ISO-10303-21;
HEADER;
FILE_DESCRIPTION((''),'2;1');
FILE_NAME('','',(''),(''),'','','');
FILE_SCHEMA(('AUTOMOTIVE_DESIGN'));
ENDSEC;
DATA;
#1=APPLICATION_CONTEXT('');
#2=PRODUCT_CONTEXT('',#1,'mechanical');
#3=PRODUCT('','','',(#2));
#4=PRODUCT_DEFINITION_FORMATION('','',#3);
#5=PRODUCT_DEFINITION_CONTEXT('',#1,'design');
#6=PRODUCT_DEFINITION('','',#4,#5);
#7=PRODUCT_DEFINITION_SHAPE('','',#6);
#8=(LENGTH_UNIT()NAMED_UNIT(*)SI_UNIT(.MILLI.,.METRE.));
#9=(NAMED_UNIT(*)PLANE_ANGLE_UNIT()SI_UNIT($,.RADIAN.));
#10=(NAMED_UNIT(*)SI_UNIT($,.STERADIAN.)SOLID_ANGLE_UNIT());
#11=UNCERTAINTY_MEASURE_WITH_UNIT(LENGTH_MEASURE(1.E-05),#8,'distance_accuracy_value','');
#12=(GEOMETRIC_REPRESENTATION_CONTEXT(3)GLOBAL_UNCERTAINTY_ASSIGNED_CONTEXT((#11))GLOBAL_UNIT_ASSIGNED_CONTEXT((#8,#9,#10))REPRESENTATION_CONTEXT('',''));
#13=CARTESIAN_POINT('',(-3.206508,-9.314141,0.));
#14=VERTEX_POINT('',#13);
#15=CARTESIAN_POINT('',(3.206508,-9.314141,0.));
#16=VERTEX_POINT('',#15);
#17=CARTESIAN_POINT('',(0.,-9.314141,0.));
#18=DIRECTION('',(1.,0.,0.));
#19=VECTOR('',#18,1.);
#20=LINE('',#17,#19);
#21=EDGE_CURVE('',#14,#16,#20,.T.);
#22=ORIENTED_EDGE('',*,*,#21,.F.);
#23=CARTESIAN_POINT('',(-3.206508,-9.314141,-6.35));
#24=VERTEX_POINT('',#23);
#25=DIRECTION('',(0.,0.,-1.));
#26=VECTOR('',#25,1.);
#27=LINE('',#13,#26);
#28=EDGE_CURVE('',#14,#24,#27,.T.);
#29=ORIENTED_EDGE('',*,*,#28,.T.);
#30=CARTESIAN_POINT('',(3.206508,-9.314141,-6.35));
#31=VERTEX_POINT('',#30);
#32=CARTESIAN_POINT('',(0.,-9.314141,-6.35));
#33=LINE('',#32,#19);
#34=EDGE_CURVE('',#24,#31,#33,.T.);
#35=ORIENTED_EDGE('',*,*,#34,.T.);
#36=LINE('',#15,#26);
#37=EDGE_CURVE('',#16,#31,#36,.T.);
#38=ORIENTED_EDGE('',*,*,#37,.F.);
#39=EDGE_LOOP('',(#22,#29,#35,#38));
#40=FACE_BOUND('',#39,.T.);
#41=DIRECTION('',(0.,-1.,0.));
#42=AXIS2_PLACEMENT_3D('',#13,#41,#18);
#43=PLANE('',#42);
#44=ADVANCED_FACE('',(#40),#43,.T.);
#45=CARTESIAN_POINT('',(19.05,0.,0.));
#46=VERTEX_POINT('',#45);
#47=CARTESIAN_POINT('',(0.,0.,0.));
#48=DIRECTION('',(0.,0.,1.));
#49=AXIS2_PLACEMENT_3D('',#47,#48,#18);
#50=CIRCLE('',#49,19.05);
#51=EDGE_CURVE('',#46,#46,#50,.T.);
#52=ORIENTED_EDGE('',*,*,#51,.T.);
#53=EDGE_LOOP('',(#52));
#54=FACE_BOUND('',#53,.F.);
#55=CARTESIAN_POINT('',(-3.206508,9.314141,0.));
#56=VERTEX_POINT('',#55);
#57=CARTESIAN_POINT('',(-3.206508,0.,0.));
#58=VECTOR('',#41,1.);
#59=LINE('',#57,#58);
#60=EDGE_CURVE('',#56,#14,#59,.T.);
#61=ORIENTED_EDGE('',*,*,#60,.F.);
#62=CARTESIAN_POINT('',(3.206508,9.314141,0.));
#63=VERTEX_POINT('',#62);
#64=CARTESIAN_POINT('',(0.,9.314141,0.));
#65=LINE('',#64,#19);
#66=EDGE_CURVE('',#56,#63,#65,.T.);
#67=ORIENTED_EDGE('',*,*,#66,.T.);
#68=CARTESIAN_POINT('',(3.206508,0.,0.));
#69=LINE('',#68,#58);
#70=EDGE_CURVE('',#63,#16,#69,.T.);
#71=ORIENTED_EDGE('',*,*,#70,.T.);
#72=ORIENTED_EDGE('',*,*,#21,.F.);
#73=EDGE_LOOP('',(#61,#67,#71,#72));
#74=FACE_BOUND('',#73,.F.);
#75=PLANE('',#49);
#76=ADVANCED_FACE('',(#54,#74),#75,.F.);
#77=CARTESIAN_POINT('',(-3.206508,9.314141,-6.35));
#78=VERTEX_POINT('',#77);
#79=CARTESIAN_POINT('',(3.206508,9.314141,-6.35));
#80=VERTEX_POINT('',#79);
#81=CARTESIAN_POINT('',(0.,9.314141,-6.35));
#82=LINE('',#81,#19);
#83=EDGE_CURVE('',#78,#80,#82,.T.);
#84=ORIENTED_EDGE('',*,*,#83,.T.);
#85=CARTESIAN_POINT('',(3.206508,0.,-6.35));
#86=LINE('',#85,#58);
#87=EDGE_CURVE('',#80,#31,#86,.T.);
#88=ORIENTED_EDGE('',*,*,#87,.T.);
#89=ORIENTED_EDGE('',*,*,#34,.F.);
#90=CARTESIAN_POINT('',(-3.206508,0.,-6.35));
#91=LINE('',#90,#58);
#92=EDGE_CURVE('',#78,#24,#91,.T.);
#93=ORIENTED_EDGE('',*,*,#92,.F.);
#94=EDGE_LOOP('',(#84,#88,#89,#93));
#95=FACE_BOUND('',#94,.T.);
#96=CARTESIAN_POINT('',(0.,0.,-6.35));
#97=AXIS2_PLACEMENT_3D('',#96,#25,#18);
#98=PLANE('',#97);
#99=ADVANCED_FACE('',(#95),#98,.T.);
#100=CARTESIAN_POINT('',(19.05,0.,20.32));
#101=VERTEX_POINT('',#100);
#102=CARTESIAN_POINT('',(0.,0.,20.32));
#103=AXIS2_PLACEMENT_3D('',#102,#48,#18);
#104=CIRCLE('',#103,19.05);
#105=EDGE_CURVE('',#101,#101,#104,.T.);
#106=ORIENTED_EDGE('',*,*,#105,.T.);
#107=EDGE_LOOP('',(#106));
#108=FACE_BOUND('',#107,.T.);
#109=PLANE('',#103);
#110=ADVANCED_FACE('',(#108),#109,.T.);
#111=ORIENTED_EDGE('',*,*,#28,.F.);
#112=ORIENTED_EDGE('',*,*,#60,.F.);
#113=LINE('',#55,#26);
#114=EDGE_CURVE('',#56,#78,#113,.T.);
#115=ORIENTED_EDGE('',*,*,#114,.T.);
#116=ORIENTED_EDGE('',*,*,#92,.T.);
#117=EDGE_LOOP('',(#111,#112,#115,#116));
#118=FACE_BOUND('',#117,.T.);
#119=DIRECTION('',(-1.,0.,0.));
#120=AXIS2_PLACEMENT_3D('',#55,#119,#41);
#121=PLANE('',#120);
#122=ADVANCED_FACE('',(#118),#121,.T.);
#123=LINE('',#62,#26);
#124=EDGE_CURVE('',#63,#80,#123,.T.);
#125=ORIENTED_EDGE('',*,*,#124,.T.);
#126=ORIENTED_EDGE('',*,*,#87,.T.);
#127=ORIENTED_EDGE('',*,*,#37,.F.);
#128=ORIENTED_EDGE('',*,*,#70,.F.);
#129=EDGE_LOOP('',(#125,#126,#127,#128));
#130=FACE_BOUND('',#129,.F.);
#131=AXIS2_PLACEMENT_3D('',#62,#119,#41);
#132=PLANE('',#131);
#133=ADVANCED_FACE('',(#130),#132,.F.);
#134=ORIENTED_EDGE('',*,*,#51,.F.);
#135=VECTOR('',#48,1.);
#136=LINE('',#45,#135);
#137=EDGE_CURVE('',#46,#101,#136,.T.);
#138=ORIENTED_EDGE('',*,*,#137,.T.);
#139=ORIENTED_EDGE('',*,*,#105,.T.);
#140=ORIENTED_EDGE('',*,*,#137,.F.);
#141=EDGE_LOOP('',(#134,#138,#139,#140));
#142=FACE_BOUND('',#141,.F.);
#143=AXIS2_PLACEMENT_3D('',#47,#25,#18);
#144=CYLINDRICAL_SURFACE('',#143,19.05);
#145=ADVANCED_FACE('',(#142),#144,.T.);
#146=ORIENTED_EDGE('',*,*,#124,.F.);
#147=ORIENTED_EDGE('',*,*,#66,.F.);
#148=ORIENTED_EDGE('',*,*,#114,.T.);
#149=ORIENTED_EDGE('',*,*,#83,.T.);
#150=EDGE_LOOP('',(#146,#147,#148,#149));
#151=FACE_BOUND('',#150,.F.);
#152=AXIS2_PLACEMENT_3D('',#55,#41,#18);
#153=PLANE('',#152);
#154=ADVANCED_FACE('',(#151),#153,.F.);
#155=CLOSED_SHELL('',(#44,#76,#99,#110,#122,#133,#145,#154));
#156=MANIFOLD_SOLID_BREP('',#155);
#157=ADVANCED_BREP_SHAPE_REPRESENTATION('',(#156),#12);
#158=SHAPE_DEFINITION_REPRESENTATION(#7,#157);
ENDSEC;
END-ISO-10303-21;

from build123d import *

# Parameters (mm, degrees)
F0_R     = 19.05
F1_DEPTH = 20.32
F2_W     = 6.413016
F2_H     = 18.628282
F3_DEPTH = 6.35


with BuildPart() as f1:
    # F0 (on Top) → F1 (new body)
    with BuildSketch(Plane.XY):
        Circle(F0_R)
    extrude(amount=F1_DEPTH)

    # F2 (on face) → F3 (join)
    with BuildSketch(Plane(origin=(0, 0, 0), x_dir=(1, 0, 0), z_dir=(0, 0, -1))):
        Rectangle(F2_W, F2_H)
    extrude(amount=F3_DEPTH)


solid = f1.part
